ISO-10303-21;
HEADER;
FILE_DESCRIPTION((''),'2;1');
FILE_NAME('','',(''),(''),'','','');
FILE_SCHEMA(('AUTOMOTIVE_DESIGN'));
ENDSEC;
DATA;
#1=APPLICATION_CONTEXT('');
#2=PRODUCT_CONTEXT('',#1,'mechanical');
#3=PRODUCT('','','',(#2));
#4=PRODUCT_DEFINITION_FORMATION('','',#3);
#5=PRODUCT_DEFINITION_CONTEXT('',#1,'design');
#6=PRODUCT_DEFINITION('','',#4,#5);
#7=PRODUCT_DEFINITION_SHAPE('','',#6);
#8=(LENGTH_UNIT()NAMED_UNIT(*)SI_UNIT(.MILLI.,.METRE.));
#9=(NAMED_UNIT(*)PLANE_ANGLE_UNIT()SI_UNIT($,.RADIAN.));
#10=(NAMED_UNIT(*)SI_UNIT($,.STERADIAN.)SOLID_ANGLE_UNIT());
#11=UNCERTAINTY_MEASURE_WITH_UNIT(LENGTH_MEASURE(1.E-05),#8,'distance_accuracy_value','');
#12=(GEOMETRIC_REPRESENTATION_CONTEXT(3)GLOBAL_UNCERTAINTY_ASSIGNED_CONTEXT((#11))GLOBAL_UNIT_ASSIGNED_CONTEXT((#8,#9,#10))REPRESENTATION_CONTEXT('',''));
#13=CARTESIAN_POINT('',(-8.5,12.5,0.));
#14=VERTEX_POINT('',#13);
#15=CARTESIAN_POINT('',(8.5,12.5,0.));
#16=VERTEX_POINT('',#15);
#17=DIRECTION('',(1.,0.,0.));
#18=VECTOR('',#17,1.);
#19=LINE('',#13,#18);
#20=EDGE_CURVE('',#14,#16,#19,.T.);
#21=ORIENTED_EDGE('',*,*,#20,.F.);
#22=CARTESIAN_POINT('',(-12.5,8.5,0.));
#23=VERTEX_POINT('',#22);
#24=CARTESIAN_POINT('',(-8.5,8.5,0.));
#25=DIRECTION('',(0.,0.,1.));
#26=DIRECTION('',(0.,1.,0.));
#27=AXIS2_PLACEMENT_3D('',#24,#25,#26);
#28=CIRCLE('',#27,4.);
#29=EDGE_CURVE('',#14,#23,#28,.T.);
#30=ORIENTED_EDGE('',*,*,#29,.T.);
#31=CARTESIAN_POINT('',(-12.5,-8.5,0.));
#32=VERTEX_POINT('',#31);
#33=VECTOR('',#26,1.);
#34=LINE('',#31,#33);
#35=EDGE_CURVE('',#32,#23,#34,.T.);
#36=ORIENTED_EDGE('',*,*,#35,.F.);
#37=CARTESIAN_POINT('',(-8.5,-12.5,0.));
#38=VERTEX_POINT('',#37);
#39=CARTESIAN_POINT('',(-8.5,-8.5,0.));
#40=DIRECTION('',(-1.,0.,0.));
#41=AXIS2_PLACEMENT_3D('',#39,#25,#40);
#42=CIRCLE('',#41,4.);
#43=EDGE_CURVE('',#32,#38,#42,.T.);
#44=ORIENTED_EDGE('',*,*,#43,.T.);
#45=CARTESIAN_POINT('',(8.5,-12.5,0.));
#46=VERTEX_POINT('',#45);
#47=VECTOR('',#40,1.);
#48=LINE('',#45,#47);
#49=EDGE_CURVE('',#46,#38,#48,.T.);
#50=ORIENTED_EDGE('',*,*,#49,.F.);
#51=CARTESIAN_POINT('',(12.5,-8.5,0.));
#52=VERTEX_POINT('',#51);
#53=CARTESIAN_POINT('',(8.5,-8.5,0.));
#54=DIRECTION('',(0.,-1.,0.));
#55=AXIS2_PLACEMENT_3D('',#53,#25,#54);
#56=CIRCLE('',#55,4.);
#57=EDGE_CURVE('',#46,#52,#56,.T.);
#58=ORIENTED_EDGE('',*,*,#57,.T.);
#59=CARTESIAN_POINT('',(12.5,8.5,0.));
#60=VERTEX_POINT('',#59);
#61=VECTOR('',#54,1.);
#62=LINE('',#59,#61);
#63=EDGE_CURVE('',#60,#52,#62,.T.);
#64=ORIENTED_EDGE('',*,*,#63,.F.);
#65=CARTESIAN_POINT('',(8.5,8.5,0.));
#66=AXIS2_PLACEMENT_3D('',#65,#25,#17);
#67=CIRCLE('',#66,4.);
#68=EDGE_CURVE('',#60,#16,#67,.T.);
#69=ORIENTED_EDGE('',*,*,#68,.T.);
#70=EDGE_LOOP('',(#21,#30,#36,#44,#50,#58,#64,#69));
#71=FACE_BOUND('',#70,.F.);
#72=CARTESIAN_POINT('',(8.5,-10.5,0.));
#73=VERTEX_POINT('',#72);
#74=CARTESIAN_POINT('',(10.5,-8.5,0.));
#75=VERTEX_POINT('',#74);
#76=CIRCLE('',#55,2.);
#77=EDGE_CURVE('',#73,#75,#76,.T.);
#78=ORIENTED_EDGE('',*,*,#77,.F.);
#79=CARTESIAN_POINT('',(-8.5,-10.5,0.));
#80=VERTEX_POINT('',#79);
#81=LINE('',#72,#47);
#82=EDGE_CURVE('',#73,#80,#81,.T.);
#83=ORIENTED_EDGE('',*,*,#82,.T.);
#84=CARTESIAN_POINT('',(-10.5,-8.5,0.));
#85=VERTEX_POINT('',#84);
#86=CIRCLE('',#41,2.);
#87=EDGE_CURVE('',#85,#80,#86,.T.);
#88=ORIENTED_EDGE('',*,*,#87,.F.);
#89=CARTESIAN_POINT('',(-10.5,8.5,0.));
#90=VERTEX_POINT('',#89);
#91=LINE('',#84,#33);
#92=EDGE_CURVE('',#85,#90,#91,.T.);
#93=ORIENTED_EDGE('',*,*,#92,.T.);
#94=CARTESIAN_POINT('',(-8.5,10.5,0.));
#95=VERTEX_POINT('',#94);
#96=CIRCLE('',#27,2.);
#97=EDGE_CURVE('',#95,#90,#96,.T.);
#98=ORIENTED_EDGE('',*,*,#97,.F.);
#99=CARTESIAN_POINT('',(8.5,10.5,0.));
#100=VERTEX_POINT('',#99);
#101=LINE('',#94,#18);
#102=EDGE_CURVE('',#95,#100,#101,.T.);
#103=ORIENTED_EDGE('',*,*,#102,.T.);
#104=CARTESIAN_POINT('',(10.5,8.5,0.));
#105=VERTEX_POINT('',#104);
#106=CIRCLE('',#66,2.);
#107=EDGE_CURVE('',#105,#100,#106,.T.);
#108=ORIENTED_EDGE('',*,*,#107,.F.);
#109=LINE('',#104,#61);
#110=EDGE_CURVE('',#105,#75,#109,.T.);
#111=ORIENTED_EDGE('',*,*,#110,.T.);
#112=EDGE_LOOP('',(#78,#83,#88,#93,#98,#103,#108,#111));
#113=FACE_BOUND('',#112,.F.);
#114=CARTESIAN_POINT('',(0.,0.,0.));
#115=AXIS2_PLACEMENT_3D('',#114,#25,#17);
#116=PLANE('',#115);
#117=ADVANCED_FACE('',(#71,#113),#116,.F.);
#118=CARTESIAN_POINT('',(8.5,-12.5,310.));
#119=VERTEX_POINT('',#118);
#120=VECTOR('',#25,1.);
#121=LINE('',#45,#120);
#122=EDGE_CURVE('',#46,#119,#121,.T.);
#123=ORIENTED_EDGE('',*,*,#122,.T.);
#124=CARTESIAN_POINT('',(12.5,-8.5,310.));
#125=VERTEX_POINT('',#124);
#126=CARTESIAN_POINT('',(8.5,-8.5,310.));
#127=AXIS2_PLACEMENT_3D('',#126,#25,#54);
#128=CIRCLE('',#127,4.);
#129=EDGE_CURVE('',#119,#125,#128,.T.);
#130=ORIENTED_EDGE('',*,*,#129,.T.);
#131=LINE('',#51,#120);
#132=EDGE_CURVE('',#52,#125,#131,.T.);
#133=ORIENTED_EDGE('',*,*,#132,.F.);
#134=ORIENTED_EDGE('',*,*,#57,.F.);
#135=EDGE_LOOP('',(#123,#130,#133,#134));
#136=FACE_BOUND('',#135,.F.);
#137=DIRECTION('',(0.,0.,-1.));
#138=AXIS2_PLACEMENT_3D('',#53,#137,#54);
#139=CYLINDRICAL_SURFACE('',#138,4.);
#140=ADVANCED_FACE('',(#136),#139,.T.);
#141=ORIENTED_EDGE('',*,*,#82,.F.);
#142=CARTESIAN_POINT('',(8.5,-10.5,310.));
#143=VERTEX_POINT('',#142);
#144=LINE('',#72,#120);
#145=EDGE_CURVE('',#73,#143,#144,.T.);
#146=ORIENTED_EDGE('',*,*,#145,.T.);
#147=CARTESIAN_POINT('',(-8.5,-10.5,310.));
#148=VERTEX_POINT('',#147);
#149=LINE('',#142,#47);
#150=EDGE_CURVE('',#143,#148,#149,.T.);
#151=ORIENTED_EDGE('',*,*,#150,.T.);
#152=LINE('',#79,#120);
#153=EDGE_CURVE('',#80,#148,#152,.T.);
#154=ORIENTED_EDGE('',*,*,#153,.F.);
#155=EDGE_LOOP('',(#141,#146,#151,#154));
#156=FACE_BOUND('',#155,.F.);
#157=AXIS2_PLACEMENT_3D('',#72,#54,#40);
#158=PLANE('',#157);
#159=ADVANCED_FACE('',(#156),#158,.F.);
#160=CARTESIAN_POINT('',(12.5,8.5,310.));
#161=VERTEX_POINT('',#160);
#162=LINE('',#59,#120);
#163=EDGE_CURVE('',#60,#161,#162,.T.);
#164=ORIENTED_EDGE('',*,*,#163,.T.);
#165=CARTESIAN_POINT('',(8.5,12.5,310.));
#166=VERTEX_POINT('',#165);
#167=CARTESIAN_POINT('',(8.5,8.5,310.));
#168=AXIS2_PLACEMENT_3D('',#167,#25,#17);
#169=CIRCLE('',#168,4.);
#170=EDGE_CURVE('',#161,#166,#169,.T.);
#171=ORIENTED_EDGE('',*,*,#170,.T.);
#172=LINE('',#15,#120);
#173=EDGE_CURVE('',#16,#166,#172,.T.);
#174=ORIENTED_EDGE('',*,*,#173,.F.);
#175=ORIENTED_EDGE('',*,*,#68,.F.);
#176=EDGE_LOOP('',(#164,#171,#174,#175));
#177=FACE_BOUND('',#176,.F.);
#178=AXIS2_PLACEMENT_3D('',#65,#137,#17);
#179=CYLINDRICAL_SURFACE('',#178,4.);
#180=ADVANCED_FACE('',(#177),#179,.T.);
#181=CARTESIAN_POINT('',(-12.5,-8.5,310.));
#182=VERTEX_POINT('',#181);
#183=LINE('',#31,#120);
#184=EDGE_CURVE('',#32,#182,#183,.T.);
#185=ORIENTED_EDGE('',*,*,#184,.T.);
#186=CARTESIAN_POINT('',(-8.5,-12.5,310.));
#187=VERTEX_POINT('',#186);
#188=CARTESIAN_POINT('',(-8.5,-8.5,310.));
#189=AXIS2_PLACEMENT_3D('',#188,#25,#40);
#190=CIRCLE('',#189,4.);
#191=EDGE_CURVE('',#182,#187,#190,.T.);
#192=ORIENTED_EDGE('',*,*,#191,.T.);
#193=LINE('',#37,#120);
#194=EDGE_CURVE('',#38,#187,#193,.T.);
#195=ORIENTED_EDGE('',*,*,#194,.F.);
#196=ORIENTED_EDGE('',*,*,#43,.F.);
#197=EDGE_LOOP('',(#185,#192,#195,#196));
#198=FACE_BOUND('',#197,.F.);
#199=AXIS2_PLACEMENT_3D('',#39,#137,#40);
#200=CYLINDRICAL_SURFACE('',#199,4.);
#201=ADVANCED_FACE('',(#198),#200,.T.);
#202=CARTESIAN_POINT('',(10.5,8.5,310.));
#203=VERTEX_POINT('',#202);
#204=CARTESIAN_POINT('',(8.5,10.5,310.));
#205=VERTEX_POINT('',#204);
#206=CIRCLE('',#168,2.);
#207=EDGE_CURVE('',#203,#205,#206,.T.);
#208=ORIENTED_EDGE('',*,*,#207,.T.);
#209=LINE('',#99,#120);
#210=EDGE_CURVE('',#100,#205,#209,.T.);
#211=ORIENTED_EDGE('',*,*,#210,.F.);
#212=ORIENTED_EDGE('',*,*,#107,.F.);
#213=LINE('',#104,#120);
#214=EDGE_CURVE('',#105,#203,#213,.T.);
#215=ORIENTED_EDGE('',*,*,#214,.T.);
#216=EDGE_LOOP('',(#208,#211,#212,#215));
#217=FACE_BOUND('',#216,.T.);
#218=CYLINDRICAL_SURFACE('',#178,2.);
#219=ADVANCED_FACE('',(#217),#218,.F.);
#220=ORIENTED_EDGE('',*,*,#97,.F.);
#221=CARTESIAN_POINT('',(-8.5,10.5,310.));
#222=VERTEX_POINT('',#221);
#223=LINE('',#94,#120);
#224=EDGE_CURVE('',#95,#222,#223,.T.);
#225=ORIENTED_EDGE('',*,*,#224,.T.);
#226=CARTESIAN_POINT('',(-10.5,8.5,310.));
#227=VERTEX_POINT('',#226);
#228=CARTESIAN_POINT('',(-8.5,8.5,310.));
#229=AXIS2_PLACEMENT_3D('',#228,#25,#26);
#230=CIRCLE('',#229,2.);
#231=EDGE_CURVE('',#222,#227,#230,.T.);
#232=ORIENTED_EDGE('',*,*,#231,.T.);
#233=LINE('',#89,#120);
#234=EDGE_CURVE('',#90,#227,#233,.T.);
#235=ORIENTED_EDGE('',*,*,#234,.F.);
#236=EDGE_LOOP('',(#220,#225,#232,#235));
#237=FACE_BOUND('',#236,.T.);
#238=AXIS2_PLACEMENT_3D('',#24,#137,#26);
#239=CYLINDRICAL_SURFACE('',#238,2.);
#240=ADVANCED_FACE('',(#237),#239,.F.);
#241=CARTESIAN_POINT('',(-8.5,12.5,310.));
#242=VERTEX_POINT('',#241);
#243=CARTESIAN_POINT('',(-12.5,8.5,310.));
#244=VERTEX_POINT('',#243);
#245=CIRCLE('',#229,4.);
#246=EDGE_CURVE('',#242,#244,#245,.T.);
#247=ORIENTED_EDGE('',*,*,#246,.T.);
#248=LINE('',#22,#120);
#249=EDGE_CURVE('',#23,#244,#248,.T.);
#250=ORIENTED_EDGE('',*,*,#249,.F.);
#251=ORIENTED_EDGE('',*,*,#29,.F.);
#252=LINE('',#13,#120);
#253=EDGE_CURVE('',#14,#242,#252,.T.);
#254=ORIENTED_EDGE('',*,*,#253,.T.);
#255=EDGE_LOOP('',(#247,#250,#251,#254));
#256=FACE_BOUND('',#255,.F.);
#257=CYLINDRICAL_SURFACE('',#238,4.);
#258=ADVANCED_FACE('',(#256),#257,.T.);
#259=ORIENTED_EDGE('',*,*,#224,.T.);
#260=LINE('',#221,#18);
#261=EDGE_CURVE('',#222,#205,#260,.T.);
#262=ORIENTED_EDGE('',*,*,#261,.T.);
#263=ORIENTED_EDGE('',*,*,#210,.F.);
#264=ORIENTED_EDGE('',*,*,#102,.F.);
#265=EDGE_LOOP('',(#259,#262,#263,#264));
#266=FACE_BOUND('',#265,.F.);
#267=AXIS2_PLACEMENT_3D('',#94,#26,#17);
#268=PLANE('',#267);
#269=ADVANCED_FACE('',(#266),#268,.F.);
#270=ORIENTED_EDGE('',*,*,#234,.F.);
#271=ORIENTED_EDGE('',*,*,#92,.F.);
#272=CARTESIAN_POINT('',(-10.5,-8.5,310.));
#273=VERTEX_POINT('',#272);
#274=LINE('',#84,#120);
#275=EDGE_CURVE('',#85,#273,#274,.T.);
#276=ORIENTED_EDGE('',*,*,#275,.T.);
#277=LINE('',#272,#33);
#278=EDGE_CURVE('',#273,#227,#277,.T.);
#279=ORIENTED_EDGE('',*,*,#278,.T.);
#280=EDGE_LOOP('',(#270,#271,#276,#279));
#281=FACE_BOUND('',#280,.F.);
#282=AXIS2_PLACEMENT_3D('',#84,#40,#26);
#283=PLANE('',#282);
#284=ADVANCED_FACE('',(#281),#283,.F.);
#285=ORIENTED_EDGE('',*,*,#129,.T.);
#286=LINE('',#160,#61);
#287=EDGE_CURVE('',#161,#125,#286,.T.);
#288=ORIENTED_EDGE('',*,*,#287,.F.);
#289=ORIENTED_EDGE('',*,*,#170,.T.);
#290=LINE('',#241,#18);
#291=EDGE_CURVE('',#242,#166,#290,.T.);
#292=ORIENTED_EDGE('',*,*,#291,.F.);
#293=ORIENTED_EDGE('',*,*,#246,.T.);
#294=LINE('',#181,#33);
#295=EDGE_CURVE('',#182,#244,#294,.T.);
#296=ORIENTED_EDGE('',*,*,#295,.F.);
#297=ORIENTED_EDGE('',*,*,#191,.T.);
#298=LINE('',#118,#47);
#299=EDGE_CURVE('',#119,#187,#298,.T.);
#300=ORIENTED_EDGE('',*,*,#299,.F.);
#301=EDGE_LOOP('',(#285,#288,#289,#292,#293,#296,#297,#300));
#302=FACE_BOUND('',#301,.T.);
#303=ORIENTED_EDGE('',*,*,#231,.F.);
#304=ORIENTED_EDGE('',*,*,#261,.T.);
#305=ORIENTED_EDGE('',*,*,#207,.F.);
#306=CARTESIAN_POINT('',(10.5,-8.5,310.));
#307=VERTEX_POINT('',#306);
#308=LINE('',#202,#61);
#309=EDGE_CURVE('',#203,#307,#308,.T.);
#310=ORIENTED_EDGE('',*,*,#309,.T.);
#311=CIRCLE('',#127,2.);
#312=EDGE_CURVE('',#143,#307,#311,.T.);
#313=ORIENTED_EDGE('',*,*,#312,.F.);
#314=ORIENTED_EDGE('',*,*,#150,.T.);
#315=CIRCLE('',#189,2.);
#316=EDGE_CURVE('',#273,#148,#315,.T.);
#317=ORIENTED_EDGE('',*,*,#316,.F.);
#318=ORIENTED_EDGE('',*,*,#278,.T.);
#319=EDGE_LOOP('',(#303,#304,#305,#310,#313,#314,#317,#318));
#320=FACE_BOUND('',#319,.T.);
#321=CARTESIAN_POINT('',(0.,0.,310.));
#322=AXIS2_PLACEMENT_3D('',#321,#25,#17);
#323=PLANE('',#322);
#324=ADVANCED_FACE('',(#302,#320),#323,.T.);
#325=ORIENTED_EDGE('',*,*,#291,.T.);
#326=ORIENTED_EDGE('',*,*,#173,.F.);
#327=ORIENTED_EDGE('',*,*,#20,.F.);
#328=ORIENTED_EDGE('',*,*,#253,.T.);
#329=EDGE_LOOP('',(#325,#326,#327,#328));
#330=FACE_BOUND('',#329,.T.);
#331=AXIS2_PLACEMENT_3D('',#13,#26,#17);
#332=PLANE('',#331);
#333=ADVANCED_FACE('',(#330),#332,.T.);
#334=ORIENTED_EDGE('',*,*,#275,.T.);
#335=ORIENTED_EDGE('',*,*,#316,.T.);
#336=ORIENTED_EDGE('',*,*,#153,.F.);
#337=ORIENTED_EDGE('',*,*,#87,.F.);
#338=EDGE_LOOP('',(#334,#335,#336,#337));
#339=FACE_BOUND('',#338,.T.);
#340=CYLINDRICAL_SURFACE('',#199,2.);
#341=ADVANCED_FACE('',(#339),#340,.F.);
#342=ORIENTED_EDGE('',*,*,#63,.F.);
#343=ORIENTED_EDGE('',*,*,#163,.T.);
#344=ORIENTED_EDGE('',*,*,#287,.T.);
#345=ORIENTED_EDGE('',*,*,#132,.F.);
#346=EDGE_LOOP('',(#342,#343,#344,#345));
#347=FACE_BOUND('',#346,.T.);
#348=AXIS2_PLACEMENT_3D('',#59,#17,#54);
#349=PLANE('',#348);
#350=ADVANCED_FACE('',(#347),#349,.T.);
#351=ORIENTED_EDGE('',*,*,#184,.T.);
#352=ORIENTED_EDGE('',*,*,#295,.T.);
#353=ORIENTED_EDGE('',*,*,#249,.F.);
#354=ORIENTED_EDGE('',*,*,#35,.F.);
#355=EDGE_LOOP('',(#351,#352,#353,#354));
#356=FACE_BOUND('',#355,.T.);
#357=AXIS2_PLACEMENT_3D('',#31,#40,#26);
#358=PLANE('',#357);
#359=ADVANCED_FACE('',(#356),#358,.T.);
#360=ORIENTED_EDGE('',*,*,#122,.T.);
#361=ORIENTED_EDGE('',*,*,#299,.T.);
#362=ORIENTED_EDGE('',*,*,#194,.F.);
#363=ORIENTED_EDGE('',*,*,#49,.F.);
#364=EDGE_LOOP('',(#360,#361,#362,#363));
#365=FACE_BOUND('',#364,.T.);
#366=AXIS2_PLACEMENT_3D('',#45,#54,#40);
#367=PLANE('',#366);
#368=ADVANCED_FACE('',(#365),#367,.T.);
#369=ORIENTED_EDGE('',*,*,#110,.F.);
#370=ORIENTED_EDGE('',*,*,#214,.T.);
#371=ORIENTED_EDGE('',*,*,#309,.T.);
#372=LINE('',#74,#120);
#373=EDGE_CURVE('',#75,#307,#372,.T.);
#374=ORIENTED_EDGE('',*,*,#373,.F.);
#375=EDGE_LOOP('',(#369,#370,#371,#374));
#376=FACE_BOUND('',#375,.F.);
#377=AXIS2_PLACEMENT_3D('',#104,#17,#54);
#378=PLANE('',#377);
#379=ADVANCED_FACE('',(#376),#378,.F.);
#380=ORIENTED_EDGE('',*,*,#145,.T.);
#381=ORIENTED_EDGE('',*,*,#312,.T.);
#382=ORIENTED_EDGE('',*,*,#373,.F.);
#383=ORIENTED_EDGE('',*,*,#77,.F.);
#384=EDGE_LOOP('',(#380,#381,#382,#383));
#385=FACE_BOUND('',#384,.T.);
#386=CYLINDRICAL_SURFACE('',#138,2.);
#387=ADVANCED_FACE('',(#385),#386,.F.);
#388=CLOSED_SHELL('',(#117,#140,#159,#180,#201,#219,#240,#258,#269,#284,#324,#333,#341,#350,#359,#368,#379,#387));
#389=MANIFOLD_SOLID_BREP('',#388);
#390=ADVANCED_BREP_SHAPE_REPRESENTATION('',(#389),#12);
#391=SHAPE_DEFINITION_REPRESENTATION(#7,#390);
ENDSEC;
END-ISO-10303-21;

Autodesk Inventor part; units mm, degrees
ref_plane "YZ Plane" through (0, 0, 0) normal (1, 0, 0) x (0, 1, 0)
ref_plane "Start plane" through (0, 0, 0) normal (0, 0, 1) x (1, 0, 0)
ref_plane "End plane" through (0, 0, 310) normal (0, 0, 1) x (1, 0, 0)
sketch "Sketch" plane through (0, 0, 0) normal (0, 0, 1) x (1, 0, 0)
  line L0 (-12.5, -8.5) -> (-12.5, 8.5)
  line L1 (-8.5, 12.5) -> (8.5, 12.5)
  line L2 (12.5, 8.5) -> (12.5, -8.5)
  line L3 (8.5, -12.5) -> (-8.5, -12.5)
  arc A0 (-12.5, -8.5) -> (-8.5, -12.5) centre (-8.5, -8.5) ccw
  arc A1 (12.5, 8.5) -> (8.5, 12.5) centre (8.5, 8.5) ccw
  arc A2 (-8.5, 12.5) -> (-12.5, 8.5) centre (-8.5, 8.5) ccw
  arc A3 (8.5, -12.5) -> (12.5, -8.5) centre (8.5, -8.5) ccw
  arc A4 (-8.5, 10.5) -> (-10.5, 8.5) centre (-8.5, 8.5) ccw
  line L4 (-8.5, 10.5) -> (8.5, 10.5)
  arc A5 (10.5, 8.5) -> (8.5, 10.5) centre (8.5, 8.5) ccw
  line L5 (10.5, 8.5) -> (10.5, -8.5)
  arc A6 (8.5, -10.5) -> (10.5, -8.5) centre (8.5, -8.5) ccw
  line L6 (8.5, -10.5) -> (-8.5, -10.5)
  arc A7 (-10.5, -8.5) -> (-8.5, -10.5) centre (-8.5, -8.5) ccw
  line L7 (-10.5, -8.5) -> (-10.5, 8.5)
  line L8 (0, 18.6598) -> (0, -18.6598) construction
  line L9 (-18.6598, 0) -> (18.6598, 0) construction
  dimension "d7" = 4
  dimension "d9" = 25
  dimension "d11" = 25
  dimension "d12" = 2
  dimension "d15" = 12.5
  dimension "d16" = 12.5
extrude "Body" add sketch "Sketch" along normal up to surface (310 mm away) from surface at 0
sketch "Sketch3" plane through (0, 0, 0) normal (0, 0, 1) x (1, 0, 0)
  line L0 (0, 0) -> (10, 0)
ref_plane "Work Plane3" through (0, 0, 0) normal (0, -1, 0) x (1, 0, 0)
sketch "Sketch4" plane through (0, 0, 0) normal (0, -1, 0) x (1, 0, 0)
  line L0 (-2, 0) -> (12, 0)
  line L1 (-2, 310) -> (12, 310)
  dimension "d18" = 310
equation "\"d7\" = G_IR"
equation "\"d9\" = G_W"
equation "\"d11\" = G_H"
equation "\"d12\" = G_T"
equation "\"d15\" = 0.5 * d9"
equation "\"d16\" = 0.5 * d11"
equation "\"d3\" = G_L"
equation "\"G_W\" = 25"
equation "\"G_H\" = 25"
equation "\"G_T\" = 2"
equation "\"G_IR\" = 4"
equation "\"G_L\" = d18"
equation "\"G_OFFSET_START\" = 0"
equation "\"G_OFFSET_END\" = 0"
properties part number "ISO 4019 - 25x25x2 - 310" material "Steel, Mild"
